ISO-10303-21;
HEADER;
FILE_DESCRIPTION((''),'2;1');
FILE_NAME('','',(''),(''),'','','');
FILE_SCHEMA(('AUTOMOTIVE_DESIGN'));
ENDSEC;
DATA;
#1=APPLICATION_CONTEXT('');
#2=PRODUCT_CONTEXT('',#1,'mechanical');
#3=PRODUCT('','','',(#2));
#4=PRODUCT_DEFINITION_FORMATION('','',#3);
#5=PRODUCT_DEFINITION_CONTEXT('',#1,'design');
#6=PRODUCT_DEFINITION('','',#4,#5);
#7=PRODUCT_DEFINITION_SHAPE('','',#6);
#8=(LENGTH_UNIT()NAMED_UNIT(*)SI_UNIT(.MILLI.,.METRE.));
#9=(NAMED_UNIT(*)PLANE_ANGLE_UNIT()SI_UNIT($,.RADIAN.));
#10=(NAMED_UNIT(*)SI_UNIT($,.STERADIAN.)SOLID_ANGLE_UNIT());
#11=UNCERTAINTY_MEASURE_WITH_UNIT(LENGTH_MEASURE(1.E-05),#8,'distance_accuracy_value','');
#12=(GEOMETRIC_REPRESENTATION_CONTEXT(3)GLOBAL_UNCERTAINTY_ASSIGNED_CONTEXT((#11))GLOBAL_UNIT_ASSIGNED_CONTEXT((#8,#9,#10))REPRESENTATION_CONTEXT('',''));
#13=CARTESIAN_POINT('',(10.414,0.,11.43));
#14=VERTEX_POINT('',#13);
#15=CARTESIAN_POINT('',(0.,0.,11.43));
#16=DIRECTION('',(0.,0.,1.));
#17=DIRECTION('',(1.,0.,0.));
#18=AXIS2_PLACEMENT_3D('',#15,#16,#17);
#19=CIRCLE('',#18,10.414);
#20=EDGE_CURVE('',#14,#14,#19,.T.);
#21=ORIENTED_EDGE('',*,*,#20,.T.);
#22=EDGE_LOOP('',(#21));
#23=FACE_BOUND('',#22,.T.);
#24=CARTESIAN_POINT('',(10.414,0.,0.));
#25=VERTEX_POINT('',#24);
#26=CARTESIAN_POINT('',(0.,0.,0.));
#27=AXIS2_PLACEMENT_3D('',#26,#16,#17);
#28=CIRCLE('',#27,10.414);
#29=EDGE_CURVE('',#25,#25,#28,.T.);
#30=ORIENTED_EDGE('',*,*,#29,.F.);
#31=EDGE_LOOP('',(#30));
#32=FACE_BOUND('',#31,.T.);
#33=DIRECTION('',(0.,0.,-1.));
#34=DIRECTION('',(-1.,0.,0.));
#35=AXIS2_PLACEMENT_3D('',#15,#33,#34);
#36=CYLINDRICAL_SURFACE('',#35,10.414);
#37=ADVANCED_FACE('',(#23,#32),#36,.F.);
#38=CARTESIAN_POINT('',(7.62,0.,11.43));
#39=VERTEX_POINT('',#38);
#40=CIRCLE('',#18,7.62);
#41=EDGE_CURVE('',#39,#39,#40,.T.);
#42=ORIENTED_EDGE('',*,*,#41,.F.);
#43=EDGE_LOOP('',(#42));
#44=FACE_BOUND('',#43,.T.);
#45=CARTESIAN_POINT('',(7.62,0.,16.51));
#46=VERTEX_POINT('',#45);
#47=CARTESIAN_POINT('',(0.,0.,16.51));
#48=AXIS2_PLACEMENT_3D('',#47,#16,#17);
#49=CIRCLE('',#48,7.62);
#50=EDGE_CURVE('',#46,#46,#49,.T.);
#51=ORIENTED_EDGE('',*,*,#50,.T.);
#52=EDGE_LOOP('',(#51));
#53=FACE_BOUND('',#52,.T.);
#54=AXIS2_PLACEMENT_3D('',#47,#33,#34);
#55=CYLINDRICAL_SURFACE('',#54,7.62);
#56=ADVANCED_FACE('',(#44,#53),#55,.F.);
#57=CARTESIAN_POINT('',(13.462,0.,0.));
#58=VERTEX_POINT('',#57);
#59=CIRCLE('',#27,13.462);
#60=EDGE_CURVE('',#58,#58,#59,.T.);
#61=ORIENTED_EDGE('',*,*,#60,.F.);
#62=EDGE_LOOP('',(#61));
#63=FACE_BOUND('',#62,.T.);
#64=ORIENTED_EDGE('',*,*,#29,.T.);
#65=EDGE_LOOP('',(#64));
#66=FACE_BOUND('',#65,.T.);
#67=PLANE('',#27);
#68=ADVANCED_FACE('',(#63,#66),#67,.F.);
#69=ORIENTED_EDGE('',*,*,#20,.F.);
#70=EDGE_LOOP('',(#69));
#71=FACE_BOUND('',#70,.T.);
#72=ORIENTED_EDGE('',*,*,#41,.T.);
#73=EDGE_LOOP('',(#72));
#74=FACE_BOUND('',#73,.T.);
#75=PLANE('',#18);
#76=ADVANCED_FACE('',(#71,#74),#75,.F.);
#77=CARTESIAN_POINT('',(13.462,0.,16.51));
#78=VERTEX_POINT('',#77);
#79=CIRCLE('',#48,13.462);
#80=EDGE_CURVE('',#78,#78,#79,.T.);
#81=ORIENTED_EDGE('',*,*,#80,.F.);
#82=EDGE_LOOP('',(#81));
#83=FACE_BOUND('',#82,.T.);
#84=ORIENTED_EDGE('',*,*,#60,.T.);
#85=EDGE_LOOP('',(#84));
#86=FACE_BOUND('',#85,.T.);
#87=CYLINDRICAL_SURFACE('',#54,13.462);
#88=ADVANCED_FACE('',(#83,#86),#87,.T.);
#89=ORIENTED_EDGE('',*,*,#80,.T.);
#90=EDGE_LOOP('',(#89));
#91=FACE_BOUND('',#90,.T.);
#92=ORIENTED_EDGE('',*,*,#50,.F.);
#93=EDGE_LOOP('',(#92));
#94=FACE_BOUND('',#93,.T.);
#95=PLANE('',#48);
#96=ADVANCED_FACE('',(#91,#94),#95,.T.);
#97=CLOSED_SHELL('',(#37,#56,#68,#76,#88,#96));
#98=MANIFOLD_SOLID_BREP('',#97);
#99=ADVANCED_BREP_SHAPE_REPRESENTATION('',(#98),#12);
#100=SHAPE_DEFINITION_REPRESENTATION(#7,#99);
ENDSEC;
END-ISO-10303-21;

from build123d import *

# Parameters (mm, degrees)
SKETCH1_R           = 13.462
BOSS_EXTRUDE3_DEPTH = 16.51
SKETCH1_15_R        = 7.62
CUT_EXTRUDE3_DEPTH  = 16.51
SKETCH1_16_R        = 10.414
SKETCH1_16_R_2      = 7.62
CUT_EXTRUDE4_DEPTH  = 11.43


with BuildPart() as part:
    # Sketch1 → Boss-Extrude3 (new body)
    with BuildSketch(Plane.XY):
        Circle(SKETCH1_R)
    extrude(amount=BOSS_EXTRUDE3_DEPTH)

    # Sketch1<15> → Cut-Extrude3 (cut)
    with BuildSketch(Plane.XY):
        Circle(SKETCH1_15_R)
    extrude(amount=CUT_EXTRUDE3_DEPTH, mode=Mode.SUBTRACT)

    # Sketch1<16> → Cut-Extrude4 (cut)
    with BuildSketch(Plane.XY):
        Circle(SKETCH1_16_R)
        Circle(SKETCH1_16_R_2, mode=Mode.SUBTRACT)
    extrude(amount=CUT_EXTRUDE4_DEPTH, mode=Mode.SUBTRACT)


solid = part.part
